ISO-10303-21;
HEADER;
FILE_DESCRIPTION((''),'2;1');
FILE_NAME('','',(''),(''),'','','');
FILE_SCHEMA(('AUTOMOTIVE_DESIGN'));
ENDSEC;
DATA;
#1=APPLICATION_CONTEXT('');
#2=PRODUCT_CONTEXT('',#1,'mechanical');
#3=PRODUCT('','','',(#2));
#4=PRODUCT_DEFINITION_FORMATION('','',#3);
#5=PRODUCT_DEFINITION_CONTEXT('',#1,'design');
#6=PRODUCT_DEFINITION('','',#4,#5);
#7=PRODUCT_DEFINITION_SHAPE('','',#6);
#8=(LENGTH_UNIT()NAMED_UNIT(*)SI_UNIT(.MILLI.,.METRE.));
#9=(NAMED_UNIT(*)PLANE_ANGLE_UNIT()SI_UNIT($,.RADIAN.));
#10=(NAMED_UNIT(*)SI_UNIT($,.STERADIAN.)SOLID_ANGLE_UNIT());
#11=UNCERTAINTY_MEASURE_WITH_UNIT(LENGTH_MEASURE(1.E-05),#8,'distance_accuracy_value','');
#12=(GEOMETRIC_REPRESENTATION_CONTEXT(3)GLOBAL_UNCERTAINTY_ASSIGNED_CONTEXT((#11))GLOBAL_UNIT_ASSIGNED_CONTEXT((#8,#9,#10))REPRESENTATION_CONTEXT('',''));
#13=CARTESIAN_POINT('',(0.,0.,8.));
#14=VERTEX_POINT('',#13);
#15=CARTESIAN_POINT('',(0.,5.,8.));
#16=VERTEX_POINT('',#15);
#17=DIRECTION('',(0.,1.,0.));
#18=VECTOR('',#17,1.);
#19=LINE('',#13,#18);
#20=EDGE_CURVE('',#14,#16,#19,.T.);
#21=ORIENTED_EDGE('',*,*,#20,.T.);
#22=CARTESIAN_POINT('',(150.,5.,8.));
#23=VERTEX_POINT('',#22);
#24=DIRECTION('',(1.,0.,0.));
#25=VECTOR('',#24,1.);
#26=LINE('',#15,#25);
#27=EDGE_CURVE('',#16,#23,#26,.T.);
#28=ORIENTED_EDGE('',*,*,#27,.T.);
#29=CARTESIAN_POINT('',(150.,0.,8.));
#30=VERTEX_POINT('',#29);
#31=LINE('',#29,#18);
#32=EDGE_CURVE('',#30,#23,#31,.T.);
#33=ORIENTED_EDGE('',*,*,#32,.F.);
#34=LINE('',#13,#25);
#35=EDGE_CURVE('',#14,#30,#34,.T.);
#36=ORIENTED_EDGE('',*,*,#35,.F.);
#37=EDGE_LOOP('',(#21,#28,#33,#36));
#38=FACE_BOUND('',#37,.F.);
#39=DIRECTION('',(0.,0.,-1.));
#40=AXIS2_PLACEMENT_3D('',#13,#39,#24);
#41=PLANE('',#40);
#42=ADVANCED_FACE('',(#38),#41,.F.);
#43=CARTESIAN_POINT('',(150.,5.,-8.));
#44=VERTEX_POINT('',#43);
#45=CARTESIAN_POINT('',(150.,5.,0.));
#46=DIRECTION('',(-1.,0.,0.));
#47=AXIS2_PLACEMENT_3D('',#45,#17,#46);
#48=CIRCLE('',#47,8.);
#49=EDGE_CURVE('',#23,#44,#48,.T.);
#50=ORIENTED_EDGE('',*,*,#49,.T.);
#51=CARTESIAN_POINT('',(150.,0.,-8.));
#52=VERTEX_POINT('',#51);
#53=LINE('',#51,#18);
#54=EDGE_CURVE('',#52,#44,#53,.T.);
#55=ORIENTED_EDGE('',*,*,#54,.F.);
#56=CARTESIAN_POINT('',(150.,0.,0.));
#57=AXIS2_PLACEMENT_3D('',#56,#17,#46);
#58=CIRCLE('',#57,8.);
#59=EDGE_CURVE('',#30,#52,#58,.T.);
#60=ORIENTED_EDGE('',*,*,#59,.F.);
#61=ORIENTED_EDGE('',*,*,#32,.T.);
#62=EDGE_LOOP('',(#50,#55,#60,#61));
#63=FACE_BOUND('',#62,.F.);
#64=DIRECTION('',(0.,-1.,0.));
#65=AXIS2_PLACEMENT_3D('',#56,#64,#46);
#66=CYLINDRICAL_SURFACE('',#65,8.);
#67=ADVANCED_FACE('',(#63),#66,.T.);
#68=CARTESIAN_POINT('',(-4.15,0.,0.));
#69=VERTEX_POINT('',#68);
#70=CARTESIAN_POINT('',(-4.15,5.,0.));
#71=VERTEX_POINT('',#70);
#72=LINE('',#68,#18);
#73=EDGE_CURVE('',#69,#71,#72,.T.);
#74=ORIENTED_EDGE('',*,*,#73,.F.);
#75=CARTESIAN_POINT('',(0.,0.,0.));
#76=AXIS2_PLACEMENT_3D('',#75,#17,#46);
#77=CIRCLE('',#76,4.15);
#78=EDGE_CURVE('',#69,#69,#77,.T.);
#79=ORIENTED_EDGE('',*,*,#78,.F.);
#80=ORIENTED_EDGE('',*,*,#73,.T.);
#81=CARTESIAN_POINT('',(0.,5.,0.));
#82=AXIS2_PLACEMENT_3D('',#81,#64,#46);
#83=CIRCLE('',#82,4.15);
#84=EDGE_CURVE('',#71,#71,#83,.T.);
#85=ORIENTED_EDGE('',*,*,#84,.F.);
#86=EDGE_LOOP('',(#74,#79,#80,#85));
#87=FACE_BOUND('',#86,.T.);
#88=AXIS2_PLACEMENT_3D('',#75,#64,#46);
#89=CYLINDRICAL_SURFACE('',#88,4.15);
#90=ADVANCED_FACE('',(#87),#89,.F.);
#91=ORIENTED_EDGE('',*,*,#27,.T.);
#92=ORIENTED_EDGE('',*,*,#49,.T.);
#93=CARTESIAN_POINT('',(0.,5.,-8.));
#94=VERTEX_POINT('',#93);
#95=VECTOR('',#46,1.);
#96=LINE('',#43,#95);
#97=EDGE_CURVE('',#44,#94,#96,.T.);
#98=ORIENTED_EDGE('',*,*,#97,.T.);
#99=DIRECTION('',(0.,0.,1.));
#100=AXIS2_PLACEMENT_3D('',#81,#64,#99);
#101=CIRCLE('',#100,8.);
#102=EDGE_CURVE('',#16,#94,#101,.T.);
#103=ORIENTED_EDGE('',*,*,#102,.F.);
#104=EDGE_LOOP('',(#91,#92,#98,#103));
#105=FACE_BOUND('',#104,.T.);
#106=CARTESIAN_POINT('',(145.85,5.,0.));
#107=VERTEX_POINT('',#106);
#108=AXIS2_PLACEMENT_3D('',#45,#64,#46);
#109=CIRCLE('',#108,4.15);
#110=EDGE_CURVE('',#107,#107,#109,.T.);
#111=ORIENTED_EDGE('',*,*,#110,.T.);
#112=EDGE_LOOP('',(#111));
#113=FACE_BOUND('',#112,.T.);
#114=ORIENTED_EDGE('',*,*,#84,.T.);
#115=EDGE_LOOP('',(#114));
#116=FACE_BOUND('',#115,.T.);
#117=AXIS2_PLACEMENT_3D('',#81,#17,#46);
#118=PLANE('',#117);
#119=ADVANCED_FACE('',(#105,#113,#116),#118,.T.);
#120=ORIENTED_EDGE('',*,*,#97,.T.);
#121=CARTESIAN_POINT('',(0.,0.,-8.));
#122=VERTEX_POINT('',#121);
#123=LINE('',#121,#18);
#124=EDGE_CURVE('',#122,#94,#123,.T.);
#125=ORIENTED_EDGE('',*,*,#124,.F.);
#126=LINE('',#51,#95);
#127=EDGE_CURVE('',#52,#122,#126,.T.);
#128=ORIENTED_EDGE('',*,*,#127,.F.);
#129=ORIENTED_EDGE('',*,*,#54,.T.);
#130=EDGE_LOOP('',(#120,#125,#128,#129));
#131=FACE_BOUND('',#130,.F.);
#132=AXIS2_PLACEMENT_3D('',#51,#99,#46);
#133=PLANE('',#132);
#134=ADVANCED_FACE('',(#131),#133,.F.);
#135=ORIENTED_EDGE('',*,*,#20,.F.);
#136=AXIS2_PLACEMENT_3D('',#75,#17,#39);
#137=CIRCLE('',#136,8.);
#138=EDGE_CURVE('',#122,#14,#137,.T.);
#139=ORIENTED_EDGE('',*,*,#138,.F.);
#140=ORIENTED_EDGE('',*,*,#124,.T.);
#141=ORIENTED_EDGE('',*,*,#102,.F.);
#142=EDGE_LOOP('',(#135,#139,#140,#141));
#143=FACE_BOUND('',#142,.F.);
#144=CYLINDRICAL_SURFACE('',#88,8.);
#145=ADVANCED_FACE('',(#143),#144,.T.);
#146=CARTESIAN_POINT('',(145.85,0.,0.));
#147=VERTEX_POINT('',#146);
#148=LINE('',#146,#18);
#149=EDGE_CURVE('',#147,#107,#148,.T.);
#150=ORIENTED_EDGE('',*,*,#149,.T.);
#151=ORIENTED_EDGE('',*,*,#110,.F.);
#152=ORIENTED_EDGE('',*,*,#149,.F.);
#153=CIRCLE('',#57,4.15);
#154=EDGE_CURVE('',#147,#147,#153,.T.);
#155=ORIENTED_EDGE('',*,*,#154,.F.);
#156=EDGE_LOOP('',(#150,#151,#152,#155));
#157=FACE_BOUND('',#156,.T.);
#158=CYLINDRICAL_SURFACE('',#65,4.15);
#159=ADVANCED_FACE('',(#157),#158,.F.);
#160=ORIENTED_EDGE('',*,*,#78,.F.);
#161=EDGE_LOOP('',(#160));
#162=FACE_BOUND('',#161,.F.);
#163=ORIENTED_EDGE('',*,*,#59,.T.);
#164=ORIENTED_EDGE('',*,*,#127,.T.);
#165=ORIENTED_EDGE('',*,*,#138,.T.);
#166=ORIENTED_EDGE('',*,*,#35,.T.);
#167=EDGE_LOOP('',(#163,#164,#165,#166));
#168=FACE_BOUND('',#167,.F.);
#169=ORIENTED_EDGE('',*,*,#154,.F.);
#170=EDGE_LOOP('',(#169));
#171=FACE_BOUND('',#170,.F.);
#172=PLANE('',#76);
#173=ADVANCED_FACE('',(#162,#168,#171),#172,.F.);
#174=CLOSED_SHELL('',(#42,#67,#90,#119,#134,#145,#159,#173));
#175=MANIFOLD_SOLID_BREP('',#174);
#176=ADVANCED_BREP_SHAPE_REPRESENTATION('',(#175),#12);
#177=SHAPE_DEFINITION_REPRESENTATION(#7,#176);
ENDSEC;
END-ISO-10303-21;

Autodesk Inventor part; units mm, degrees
ref_plane "YZ Plane" through (0, 0, 0) normal (1, 0, 0) x (0, 1, 0)
ref_plane "XZ Plane" through (0, 0, 0) normal (0, 1, 0) x (-1, 0, 0)
ref_plane "XY Plane" through (0, 0, 0) normal (0, 0, 1) x (1, 0, 0)
sketch "草图1" plane through (0, 0, 0) normal (0, 1, 0) x (-1, 0, 0)
  circle A0 centre (0, 0) radius 8
  line L0 (0, 8) -> (-150, 8)
  line L1 (-150, 8) -> (-150, -8)
  line L2 (-150, -8) -> (0, -8)
  line L3 (0, -8) -> (0, 8)
  circle A1 centre (0, 0) radius 4.15
  circle A2 centre (-150, 0) radius 8
  circle A3 centre (-150, 0) radius 4.15
  point P0 (-150, 8)
  dimension "d0" = 16
  dimension "d1" = 8.3
  dimension "d2" = 150
  dimension "d3" = 8.3
extrude "拉伸1" add sketch "草图1" along normal blind 5 contours A0 L3 A1 | L3 A1 A0 | A0 L2 A2 L0 | A2 L1 A3 | L1 A3 A2
properties part number "leg3"
